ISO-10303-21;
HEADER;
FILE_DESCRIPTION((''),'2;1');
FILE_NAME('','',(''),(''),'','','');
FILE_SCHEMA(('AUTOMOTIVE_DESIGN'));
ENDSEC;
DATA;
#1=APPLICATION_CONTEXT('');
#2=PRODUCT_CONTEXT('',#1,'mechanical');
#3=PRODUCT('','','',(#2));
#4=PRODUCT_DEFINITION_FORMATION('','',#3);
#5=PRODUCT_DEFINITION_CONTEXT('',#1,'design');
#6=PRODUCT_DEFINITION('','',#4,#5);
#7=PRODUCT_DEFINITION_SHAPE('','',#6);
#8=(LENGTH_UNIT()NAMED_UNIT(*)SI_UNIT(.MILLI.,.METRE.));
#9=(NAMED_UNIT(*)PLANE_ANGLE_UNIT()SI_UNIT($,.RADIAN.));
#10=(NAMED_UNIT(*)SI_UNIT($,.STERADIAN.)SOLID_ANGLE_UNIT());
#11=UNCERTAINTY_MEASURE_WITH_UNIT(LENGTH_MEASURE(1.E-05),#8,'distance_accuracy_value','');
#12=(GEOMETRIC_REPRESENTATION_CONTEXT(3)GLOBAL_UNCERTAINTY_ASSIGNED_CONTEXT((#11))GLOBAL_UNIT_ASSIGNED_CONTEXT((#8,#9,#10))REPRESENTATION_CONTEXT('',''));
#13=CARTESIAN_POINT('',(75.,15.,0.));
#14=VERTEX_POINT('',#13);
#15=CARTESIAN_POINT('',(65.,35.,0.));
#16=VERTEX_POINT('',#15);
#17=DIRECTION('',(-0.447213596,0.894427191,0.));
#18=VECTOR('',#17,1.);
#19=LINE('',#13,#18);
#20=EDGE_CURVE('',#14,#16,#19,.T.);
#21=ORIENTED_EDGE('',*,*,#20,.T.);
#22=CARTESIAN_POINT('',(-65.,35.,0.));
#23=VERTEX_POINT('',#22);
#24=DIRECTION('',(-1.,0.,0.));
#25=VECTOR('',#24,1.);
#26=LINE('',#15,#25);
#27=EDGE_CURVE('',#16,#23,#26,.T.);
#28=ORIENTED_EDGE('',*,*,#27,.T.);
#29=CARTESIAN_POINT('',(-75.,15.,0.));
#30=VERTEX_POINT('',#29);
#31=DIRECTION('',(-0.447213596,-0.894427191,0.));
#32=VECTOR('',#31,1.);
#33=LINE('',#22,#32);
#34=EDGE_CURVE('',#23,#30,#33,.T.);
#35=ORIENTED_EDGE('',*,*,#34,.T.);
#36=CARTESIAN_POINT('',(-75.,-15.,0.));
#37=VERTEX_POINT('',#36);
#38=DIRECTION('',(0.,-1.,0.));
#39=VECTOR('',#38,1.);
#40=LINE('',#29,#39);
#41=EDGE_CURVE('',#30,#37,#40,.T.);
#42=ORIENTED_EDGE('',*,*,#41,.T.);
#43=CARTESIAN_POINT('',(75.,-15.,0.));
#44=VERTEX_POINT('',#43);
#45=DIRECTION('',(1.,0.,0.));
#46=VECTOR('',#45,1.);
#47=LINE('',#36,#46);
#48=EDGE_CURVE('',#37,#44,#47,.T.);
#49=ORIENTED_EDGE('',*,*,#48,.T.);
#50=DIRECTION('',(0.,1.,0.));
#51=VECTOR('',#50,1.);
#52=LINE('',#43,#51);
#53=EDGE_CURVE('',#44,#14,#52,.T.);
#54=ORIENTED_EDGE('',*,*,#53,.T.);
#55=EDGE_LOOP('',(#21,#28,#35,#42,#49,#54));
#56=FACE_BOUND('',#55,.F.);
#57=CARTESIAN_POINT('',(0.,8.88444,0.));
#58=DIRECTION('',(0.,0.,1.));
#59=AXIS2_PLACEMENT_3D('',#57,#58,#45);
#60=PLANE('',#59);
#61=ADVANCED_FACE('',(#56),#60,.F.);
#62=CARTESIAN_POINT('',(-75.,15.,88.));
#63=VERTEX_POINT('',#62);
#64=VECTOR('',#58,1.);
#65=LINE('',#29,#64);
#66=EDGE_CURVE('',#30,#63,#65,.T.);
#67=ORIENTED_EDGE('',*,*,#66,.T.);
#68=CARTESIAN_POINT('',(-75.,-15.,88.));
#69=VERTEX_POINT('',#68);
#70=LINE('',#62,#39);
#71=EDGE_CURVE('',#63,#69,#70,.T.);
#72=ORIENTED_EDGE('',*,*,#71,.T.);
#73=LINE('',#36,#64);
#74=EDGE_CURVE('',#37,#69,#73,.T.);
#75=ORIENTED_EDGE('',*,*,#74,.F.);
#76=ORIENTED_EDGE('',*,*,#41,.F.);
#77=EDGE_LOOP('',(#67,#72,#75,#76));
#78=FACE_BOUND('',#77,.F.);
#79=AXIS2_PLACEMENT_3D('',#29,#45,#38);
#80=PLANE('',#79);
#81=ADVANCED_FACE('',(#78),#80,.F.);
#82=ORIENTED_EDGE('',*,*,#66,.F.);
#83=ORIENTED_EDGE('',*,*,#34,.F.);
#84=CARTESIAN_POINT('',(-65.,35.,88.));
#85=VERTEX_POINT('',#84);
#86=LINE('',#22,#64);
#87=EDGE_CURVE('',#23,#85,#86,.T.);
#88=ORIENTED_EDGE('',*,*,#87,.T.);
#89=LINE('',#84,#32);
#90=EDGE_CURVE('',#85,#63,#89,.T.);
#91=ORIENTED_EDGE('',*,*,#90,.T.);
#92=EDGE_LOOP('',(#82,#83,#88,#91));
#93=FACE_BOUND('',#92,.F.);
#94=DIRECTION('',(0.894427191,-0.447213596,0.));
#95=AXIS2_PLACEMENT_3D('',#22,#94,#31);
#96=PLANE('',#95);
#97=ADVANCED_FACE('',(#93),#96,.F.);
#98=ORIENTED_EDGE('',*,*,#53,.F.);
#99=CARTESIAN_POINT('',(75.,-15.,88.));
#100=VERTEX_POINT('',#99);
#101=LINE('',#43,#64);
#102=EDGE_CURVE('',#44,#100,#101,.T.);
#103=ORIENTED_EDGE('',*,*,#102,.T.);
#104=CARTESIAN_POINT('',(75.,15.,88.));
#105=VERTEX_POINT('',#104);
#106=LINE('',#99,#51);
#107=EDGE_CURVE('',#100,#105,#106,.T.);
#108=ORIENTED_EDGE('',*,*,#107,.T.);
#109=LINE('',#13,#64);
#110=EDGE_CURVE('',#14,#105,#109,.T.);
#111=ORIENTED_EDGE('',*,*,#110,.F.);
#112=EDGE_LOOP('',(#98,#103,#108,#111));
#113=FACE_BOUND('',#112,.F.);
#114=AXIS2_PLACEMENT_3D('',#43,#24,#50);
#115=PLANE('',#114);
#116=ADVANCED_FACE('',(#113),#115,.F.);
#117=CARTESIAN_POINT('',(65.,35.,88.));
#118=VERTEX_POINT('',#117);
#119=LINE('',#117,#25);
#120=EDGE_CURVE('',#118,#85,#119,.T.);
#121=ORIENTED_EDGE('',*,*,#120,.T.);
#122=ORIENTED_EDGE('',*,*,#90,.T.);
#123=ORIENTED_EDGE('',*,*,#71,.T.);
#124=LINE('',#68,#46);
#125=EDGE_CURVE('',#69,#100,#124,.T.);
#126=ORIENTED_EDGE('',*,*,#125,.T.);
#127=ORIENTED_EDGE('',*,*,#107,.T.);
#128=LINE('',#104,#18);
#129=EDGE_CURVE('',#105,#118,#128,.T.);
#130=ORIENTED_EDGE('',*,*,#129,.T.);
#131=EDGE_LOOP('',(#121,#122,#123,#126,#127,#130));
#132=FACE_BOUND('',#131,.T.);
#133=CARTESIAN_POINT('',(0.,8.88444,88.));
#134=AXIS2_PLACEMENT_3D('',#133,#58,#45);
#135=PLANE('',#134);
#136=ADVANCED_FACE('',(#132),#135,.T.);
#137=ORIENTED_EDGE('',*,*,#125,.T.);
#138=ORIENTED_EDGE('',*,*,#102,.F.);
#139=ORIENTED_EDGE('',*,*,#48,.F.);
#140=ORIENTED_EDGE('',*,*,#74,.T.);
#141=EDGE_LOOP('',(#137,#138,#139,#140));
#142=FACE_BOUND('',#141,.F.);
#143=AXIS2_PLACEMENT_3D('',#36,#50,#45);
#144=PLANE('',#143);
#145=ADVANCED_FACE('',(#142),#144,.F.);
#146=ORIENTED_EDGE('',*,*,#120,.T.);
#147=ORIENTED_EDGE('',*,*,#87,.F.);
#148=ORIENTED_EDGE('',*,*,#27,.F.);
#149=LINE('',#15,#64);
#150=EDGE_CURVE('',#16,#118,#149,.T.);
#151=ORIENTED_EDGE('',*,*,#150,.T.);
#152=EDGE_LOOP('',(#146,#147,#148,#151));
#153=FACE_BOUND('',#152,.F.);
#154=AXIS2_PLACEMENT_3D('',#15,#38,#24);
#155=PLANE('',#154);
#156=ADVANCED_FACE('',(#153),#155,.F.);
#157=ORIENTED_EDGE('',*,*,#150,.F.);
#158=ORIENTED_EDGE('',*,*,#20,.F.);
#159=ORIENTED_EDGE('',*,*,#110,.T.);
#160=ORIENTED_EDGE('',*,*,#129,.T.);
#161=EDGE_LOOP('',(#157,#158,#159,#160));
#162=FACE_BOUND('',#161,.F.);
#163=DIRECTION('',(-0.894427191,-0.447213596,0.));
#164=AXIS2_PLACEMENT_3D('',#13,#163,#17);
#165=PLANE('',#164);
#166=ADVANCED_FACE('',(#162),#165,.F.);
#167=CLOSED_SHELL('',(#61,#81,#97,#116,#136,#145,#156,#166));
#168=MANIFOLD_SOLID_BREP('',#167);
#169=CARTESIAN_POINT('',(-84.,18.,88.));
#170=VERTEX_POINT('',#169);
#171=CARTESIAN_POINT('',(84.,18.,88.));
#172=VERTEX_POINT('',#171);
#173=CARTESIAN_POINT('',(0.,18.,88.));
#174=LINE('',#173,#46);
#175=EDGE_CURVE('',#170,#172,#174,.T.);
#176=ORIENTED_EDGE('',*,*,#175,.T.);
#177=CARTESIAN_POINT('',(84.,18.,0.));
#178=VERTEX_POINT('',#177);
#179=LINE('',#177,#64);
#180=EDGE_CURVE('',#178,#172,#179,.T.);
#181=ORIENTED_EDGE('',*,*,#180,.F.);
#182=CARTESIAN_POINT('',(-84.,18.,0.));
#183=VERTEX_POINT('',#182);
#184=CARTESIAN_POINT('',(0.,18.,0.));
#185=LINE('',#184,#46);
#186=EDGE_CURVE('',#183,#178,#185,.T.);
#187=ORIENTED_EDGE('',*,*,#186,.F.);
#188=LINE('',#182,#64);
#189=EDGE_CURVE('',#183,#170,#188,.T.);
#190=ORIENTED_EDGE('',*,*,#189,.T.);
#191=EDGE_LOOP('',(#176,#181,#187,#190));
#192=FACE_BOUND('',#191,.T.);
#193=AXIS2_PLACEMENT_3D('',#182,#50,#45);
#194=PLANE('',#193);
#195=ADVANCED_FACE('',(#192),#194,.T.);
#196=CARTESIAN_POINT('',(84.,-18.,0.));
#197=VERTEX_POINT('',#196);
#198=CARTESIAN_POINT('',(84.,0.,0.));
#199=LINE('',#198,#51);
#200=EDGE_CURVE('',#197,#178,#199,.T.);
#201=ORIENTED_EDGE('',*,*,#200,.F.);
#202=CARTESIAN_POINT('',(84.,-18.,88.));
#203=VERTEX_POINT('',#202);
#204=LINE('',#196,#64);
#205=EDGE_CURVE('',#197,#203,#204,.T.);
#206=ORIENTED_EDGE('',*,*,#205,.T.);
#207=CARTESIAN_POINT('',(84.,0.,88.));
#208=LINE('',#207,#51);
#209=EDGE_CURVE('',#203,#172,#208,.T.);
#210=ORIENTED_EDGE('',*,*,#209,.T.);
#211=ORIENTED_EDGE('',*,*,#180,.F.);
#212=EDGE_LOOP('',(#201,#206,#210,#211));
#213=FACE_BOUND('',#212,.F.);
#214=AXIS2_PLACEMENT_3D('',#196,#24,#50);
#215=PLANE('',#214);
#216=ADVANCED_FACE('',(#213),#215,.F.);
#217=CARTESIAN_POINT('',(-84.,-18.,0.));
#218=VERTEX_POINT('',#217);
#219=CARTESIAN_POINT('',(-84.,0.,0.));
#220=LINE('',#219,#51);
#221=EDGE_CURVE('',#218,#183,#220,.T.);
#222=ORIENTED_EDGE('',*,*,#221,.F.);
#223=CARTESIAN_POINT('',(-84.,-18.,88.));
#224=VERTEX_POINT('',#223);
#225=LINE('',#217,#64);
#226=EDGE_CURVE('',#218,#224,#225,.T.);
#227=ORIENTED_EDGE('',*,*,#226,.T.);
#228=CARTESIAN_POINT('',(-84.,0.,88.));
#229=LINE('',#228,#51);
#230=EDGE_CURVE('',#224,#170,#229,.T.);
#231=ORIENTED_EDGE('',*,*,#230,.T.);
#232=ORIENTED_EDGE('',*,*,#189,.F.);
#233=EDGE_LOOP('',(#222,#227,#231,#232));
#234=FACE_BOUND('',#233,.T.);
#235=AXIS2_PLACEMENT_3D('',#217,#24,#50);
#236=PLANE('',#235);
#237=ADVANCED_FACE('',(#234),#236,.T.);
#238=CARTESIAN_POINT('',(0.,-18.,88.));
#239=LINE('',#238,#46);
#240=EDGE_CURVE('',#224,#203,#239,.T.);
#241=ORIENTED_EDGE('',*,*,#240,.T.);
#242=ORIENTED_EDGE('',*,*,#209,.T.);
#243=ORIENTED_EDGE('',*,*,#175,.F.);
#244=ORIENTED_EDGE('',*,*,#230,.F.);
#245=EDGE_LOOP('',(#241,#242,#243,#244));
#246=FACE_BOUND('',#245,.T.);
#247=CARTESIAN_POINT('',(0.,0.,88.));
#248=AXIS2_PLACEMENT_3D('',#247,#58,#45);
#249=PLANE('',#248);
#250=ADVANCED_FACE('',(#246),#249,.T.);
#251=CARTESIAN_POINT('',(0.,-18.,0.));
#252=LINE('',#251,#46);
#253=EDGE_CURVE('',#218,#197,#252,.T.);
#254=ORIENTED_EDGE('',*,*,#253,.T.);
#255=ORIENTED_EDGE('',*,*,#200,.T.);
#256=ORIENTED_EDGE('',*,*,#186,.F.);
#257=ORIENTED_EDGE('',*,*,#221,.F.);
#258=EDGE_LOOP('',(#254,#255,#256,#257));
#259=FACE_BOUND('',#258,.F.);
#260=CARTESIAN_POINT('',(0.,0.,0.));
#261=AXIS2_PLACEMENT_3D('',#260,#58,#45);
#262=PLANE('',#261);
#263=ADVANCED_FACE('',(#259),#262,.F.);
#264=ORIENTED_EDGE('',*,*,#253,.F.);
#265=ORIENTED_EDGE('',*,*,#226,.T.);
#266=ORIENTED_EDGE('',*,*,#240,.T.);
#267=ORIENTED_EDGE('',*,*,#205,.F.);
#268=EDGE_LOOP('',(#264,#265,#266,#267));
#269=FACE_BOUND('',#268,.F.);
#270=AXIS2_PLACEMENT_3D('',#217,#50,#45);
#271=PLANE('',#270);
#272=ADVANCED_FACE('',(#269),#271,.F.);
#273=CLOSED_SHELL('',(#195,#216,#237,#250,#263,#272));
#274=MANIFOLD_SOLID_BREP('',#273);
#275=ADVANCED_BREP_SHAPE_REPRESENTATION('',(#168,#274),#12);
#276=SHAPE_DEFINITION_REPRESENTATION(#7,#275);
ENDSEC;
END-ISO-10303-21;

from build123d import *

# Parameters (mm, degrees)
F0_W     = 168
F0_H     = 36
F1_DEPTH = 88
F3_DEPTH = 88


with BuildPart() as f1:
    # F0 (on Top) → F1 (new body)
    with BuildSketch(Plane.XY):
        Rectangle(F0_W, F0_H)
    extrude(amount=F1_DEPTH)


with BuildPart() as f3:
    # F2 (on Top) → F3 (new body)
    with BuildSketch(Plane.XY):
        Polygon((-75, -15), (75, -15), (75, 15), (65, 35), (-65, 35), (-75, 15), align=None)
    extrude(amount=F3_DEPTH)


solid = Compound([f1.part, f3.part])
